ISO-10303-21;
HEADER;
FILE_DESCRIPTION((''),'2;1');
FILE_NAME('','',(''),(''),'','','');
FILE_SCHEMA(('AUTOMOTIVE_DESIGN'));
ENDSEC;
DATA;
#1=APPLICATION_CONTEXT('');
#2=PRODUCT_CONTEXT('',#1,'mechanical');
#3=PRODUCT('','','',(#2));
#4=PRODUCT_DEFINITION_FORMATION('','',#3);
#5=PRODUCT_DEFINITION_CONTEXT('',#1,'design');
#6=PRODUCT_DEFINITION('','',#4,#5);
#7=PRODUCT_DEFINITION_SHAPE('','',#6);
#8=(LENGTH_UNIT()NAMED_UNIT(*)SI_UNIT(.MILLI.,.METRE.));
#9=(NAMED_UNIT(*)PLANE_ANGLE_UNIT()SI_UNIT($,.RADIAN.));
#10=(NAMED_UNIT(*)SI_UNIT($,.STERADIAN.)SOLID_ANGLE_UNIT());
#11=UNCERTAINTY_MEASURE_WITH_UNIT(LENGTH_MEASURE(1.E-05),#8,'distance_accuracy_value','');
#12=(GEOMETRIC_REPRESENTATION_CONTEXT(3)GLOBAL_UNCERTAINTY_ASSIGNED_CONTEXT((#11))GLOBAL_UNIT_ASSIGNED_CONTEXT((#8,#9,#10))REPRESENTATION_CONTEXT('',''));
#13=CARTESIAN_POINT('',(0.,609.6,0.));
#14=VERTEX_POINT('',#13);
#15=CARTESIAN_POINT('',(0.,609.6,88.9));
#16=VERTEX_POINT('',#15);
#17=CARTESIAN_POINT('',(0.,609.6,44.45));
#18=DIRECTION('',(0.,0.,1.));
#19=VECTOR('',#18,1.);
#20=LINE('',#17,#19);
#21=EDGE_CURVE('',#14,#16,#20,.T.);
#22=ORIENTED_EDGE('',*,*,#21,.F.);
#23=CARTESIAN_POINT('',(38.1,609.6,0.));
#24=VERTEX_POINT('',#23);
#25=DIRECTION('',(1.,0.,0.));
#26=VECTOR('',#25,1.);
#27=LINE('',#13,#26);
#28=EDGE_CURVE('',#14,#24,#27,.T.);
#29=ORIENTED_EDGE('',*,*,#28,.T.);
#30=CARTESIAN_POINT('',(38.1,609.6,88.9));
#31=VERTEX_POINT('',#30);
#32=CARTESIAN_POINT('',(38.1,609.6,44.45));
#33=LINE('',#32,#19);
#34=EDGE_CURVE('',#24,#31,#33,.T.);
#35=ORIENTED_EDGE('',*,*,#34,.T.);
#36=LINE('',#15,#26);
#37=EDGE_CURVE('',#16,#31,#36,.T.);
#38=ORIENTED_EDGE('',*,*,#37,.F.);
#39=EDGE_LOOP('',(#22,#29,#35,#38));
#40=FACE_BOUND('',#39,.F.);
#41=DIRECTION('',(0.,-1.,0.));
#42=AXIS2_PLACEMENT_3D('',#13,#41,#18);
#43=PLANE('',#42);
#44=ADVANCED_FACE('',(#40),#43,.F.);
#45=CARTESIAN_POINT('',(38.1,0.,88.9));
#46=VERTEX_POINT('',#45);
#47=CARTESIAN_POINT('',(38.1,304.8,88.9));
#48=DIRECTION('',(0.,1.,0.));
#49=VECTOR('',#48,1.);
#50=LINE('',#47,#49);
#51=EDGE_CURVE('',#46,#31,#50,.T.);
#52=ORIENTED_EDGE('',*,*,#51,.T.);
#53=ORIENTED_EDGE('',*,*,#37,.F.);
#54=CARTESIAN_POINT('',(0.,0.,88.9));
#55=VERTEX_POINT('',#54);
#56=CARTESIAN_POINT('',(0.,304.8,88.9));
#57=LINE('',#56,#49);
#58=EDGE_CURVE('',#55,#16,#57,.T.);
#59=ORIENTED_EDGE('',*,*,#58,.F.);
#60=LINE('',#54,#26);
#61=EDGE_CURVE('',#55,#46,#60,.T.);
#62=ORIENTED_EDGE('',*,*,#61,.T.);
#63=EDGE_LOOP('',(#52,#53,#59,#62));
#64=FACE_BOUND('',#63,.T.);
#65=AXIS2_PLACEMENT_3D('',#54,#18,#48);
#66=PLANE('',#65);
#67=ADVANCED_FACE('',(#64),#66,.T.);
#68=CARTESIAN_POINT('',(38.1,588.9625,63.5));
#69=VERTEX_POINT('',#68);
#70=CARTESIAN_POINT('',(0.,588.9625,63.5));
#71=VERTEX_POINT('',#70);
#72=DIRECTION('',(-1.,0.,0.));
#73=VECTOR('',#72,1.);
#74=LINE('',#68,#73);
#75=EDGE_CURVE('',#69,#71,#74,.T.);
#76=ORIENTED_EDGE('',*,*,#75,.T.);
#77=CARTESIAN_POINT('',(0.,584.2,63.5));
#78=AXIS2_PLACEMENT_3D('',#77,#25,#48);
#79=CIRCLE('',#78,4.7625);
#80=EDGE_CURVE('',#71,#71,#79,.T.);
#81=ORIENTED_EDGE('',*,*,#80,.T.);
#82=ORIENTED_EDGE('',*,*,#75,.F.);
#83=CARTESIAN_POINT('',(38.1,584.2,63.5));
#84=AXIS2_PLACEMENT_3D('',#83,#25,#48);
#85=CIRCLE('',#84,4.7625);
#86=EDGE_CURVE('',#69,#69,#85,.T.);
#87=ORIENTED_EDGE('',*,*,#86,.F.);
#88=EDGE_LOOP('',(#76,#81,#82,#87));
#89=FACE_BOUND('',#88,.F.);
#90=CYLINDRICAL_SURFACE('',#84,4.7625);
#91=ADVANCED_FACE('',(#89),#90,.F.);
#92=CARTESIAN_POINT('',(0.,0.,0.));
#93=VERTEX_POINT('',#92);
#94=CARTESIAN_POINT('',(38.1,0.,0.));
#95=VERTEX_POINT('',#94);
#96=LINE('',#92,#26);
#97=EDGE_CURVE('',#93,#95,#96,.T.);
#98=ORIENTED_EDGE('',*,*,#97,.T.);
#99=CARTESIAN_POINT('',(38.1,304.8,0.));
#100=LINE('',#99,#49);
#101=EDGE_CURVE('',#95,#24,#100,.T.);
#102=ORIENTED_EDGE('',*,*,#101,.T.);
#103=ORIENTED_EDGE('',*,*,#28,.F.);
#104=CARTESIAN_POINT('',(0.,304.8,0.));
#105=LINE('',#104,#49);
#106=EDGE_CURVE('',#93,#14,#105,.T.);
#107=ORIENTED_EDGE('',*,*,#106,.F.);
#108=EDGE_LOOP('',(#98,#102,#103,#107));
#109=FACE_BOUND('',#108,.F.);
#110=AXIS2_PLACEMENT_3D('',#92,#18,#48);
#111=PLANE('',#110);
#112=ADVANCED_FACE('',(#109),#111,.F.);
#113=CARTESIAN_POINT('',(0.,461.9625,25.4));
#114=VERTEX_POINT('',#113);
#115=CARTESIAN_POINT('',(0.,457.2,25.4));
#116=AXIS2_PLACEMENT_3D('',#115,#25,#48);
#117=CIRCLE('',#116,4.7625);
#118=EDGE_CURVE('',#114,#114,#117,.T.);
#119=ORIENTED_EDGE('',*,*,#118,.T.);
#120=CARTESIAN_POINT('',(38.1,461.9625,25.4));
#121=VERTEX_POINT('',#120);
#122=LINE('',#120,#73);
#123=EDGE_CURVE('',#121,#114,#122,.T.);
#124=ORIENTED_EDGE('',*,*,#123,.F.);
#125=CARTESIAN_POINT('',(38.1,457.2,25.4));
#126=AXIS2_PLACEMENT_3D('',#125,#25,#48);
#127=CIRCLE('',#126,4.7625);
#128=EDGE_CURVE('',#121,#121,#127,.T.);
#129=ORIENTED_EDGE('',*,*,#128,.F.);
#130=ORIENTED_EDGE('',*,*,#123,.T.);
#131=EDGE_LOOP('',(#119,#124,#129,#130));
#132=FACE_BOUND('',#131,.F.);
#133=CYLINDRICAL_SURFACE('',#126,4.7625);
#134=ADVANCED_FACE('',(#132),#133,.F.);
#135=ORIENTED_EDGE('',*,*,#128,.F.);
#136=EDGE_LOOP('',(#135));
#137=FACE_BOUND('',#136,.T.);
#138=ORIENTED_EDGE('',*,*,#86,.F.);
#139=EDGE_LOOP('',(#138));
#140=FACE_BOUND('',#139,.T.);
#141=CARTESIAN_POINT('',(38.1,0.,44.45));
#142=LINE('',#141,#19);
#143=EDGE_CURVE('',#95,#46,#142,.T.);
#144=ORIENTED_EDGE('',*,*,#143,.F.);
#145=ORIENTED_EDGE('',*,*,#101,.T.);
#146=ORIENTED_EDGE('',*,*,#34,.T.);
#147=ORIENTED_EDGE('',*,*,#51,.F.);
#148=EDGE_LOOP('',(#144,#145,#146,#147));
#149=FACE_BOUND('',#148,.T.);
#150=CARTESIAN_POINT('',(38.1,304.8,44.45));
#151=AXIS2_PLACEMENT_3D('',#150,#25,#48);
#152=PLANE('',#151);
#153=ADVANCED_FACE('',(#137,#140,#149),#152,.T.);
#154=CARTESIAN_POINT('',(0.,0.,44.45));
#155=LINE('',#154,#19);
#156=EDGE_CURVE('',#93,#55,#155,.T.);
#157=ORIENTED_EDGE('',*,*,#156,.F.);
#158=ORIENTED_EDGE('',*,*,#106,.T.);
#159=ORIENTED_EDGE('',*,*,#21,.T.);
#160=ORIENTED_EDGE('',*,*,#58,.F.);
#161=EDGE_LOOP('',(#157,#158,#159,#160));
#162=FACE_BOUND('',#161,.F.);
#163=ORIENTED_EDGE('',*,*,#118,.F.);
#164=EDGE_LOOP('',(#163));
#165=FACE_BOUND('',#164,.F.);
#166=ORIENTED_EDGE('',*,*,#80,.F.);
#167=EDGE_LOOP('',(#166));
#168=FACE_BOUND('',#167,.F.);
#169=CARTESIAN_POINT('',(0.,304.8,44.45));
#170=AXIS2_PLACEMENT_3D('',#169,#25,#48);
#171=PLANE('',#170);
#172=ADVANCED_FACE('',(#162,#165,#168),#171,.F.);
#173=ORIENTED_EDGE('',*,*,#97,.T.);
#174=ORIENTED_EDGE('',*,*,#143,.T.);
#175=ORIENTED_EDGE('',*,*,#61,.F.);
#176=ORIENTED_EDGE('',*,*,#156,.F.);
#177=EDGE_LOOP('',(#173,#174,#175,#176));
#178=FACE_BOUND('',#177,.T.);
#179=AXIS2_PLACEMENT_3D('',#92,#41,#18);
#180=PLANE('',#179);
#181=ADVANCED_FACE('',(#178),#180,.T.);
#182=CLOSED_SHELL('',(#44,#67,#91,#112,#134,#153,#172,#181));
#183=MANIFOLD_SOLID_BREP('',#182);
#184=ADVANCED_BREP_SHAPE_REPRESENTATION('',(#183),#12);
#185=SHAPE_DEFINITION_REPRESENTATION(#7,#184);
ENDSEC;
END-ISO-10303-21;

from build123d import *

# Parameters (mm, degrees)
F0_W     = 609.6
F0_H     = 88.9
F1_DEPTH = 38.1
F2_R     = 4.7625
F3_DEPTH = 38.101


with BuildPart() as f1:
    # F0 (on Right) → F1 (new body)
    with BuildSketch(Plane.YZ):
        with Locations((304.8, 44.45)):
            Rectangle(F0_W, F0_H)
    extrude(amount=F1_DEPTH)

    # F2 (on face) → F3 (cut, through all)
    with BuildSketch(Plane.YZ.offset(38.1)):
        with Locations((457.2, 25.4)):
            Circle(F2_R)
        with Locations((584.2, 63.5)):
            Circle(F2_R)
    extrude(amount=-F3_DEPTH, mode=Mode.SUBTRACT)


solid = f1.part
